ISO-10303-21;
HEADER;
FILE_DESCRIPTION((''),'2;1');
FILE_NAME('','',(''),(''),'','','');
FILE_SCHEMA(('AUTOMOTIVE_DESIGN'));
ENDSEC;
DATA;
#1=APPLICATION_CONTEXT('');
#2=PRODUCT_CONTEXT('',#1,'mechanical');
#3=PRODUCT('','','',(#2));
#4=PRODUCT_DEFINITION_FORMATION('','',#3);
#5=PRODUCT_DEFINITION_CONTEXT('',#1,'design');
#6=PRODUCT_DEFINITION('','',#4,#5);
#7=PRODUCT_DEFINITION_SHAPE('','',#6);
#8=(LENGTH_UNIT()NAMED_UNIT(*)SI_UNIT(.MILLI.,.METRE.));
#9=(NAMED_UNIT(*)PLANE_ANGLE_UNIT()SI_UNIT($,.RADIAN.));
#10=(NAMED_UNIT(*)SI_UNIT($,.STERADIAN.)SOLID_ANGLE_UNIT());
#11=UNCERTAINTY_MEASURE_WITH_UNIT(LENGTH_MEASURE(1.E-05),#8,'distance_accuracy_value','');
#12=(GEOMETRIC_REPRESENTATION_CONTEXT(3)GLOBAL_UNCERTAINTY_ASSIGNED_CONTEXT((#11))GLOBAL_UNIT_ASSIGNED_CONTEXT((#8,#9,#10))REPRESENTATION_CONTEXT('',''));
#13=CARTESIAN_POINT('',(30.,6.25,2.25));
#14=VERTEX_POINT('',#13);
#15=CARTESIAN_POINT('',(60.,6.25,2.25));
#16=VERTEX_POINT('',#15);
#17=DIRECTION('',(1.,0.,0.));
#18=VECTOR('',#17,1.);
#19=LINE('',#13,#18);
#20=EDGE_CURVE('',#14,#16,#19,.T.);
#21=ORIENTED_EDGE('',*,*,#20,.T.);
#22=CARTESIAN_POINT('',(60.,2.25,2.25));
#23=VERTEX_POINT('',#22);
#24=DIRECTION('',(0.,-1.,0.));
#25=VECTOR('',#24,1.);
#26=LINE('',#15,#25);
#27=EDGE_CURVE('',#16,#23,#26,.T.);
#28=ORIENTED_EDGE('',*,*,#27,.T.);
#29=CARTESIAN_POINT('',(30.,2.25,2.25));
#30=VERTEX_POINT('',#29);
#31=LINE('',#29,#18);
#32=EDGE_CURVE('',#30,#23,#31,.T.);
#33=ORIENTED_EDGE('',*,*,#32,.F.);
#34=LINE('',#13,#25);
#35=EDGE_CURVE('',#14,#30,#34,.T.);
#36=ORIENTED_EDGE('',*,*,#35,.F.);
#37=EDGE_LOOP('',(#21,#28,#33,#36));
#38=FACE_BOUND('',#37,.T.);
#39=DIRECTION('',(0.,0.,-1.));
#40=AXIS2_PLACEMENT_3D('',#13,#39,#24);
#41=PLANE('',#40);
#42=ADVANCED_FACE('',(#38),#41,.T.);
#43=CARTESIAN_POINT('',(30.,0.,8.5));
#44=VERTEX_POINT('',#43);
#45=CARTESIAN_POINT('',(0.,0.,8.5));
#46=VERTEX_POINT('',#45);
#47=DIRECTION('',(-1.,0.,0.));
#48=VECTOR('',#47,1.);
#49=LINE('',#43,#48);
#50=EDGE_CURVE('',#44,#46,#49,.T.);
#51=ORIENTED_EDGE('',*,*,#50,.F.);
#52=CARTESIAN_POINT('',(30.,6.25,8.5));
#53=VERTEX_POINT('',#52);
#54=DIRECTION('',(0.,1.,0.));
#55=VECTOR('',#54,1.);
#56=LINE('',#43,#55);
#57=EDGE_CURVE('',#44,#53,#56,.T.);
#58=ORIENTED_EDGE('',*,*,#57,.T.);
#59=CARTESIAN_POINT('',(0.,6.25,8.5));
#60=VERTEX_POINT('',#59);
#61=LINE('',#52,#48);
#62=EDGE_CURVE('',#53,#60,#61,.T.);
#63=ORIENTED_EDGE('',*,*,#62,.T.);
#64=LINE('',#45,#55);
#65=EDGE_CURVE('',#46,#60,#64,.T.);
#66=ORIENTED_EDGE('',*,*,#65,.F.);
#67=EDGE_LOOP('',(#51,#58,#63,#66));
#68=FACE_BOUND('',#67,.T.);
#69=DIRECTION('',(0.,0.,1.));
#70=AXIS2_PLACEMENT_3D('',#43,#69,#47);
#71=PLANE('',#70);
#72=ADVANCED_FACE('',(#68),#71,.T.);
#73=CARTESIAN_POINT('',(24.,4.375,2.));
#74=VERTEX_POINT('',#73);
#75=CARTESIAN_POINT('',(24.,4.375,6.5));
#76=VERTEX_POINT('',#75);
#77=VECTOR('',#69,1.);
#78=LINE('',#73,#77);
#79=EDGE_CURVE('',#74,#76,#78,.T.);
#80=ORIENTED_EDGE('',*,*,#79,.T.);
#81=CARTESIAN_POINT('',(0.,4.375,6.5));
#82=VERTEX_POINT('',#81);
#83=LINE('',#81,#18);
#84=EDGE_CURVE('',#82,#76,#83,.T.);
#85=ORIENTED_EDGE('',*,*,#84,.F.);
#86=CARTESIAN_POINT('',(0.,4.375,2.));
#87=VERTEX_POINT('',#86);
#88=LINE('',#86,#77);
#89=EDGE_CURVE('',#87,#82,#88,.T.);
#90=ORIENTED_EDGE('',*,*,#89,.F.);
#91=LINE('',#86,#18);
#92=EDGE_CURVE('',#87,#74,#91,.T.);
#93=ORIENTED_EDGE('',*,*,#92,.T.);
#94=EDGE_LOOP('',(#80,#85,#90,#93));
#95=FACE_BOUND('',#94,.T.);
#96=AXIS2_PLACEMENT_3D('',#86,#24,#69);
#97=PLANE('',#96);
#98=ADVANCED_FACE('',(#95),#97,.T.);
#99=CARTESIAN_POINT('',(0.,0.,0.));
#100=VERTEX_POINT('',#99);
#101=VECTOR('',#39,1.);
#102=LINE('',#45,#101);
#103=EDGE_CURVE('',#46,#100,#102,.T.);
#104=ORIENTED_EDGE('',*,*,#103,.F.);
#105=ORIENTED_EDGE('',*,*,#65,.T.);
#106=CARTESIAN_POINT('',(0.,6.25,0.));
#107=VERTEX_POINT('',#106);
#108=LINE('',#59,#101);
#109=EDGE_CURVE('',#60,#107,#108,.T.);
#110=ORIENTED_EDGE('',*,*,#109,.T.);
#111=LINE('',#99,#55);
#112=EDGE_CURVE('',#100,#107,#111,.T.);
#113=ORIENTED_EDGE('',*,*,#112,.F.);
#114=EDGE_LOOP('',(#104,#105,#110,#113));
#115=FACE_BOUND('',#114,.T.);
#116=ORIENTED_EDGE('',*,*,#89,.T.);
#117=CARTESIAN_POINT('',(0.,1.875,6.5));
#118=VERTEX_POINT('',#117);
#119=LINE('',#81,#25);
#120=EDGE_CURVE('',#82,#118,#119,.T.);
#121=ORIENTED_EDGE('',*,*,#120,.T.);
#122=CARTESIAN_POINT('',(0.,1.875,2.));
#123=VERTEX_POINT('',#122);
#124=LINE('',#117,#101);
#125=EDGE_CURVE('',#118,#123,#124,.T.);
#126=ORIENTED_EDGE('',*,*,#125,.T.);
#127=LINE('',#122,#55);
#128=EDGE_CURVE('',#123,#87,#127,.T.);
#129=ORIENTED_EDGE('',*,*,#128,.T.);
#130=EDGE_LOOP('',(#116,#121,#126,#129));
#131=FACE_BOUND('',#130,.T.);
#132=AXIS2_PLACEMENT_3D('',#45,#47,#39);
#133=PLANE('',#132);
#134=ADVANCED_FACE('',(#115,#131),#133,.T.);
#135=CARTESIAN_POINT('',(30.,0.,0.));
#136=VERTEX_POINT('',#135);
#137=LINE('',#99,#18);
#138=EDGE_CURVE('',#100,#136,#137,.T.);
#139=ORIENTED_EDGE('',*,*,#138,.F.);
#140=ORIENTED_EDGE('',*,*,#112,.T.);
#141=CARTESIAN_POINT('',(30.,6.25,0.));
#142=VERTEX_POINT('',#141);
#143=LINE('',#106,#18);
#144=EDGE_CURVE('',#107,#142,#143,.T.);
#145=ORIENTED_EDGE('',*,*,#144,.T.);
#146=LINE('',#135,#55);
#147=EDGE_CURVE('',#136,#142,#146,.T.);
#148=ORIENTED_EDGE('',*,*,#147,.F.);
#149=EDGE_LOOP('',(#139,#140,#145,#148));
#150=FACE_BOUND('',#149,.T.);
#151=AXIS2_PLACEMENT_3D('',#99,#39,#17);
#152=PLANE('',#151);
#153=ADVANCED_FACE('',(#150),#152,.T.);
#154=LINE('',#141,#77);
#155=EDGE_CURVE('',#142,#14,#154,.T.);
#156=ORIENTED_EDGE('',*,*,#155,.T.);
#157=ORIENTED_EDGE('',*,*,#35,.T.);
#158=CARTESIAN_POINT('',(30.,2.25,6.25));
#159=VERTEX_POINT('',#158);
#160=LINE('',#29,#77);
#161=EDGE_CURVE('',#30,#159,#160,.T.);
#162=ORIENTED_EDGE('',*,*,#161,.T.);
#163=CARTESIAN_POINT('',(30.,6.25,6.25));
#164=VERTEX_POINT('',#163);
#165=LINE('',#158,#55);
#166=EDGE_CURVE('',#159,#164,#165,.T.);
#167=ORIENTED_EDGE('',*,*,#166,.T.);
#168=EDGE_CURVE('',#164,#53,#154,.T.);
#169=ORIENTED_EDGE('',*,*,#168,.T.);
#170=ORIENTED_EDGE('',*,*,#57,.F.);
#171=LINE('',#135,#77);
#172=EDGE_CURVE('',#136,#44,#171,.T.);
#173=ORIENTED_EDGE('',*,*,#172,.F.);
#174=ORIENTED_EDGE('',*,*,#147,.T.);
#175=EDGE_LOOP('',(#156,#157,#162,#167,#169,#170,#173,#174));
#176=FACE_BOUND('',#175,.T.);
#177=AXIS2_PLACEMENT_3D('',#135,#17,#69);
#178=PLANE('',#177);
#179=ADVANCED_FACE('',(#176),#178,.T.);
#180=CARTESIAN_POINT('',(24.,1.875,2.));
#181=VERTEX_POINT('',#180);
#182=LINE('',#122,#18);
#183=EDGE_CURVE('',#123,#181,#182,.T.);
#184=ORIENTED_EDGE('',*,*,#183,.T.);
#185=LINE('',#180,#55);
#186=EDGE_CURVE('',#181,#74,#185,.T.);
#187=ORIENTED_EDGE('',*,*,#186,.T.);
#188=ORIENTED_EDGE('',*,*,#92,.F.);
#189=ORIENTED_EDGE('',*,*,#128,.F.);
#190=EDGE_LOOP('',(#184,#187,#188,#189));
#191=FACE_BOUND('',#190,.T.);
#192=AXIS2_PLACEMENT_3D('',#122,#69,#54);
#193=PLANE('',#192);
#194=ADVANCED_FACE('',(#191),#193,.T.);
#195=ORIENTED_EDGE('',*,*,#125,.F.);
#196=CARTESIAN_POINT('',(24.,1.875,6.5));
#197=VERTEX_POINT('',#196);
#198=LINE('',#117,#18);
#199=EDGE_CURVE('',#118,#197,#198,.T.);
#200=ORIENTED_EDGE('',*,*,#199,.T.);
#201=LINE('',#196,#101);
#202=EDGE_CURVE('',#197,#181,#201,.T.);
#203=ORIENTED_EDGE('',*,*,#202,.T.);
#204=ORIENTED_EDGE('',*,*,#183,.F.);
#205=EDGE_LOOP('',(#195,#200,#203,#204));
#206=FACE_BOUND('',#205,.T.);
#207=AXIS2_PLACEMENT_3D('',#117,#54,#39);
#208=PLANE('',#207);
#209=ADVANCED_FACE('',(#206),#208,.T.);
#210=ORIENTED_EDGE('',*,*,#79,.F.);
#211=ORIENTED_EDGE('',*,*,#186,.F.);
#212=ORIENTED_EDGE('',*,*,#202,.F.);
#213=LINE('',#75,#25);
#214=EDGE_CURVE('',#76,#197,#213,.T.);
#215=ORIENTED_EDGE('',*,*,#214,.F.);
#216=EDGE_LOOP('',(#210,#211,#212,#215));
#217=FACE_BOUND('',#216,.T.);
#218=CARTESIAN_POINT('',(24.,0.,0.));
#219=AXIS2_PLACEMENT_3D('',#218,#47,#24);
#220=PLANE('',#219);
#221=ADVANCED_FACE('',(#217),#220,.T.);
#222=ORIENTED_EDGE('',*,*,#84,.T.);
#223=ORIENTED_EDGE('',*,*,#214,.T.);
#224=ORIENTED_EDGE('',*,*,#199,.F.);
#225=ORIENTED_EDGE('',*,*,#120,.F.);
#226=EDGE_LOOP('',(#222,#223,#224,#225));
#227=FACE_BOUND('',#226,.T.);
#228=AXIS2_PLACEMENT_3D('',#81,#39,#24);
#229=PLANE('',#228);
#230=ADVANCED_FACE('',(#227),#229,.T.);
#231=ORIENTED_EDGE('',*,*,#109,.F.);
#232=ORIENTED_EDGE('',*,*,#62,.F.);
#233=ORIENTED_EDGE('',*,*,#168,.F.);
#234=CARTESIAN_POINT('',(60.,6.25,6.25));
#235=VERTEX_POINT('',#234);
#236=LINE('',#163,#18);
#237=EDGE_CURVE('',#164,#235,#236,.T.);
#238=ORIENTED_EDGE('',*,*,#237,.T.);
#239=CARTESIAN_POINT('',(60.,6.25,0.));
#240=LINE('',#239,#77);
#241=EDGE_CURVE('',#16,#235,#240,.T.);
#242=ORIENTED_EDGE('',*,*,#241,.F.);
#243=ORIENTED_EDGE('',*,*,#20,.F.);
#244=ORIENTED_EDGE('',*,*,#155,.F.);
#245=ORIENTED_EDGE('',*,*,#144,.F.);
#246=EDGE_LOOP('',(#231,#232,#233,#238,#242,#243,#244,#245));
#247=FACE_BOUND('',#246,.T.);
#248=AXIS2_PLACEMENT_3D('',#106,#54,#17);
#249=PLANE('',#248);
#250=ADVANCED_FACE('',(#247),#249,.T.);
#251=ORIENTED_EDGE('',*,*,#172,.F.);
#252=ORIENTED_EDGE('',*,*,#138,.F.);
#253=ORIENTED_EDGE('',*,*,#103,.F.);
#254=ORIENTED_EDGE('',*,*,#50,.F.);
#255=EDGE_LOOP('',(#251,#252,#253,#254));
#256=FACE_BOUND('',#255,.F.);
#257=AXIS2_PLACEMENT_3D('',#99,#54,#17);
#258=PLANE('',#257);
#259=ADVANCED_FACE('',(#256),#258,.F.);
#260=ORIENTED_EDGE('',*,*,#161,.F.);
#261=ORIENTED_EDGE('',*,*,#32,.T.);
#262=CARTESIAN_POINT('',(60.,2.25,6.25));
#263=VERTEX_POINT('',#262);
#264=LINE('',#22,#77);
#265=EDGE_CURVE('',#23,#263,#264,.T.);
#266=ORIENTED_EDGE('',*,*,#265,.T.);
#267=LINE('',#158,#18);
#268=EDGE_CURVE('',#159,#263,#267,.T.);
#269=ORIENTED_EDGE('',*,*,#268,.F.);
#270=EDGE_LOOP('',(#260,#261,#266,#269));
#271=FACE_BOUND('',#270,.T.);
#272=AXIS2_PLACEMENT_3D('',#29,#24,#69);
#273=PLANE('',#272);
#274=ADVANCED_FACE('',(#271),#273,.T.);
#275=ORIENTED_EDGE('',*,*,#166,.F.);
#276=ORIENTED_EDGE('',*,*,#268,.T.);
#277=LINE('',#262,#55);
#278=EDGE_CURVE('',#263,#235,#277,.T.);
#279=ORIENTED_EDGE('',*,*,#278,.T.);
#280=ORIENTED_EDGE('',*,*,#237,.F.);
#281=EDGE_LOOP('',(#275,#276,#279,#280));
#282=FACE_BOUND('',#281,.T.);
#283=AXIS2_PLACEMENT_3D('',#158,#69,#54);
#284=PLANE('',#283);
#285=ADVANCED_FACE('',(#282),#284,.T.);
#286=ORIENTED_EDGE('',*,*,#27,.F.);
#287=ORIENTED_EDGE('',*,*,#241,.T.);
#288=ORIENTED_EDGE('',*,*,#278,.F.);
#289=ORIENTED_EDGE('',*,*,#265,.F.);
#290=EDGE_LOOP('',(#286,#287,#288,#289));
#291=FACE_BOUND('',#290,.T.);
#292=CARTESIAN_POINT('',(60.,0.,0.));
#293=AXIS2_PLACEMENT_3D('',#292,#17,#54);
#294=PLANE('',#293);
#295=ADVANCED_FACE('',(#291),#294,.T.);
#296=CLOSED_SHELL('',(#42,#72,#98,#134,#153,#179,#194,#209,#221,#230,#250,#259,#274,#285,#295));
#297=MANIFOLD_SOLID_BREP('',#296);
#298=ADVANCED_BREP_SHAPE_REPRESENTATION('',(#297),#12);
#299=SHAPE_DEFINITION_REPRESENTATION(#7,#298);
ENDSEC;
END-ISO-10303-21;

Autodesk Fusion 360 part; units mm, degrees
sketch "Sketch1" plane through (0, 0, 0) normal (0, 1, 0) x (1, 0, 0)
  line L0 (0, 0) -> (30, 0)
  line L1 (30, 0) -> (30, -8.5)
  line L2 (30, -8.5) -> (0, -8.5)
  line L3 (0, -8.5) -> (0, 0)
  dimension "d1" = 30
  dimension "d2" = 8.5
extrude "Extrude1" add sketch "Sketch1" along normal blind 6.25
sketch "Sketch2" plane through (0, 0, 0) normal (-1, 0, 0) x (0, -1, 0)
  line L0 (0, 0) -> (0, 8.5)
  line L1 (0, 8.5) -> (-6.25, 8.5)
  line L2 (-6.25, 8.5) -> (-6.25, 0)
  line L3 (-6.25, 0) -> (0, 0)
  line L4 (-6.25, 8.5) -> (-4.375, 8.5)
  line L5 (-4.375, 8.5) -> (-4.375, 6.5)
  line L6 (-4.375, 6.5) -> (-1.875, 6.5)
  line L7 (-1.875, 6.5) -> (-1.875, 2)
  line L8 (-1.875, 2) -> (-4.375, 2)
  line L9 (-4.375, 2) -> (-4.375, 6.5)
  dimension "d5" = 1.875
  dimension "d6" = 2
  dimension "d7" = 2.5
  dimension "d8" = 4.5
extrude "Extrude2" cut sketch "Sketch2" against normal blind 24 contours L6 L7 L8 L9
sketch "Sketch3" plane through (30, 0, 0) normal (1, 0, 0) x (0, 1, 0)
  line L0 (0, 8.5) -> (0, 0)
  line L1 (0, 0) -> (6.25, 0)
  line L2 (6.25, 0) -> (6.25, 8.5)
  line L3 (6.25, 8.5) -> (0, 8.5)
  line L4 (0, 8.5) -> (2.25, 8.5)
  line L5 (2.25, 8.5) -> (2.25, 6.25)
  line L6 (2.25, 6.25) -> (6.25, 6.25)
  line L7 (6.25, 6.25) -> (6.25, 2.25)
  line L8 (6.25, 2.25) -> (2.25, 2.25)
  line L9 (2.25, 2.25) -> (2.25, 6.25)
  dimension "d11" = 2.25
  dimension "d12" = 2.25
  dimension "d13" = 4
  dimension "d14" = 4
extrude "Extrude3" add sketch "Sketch3" along normal blind 30 contours L2 L6 L7 L8 L9
